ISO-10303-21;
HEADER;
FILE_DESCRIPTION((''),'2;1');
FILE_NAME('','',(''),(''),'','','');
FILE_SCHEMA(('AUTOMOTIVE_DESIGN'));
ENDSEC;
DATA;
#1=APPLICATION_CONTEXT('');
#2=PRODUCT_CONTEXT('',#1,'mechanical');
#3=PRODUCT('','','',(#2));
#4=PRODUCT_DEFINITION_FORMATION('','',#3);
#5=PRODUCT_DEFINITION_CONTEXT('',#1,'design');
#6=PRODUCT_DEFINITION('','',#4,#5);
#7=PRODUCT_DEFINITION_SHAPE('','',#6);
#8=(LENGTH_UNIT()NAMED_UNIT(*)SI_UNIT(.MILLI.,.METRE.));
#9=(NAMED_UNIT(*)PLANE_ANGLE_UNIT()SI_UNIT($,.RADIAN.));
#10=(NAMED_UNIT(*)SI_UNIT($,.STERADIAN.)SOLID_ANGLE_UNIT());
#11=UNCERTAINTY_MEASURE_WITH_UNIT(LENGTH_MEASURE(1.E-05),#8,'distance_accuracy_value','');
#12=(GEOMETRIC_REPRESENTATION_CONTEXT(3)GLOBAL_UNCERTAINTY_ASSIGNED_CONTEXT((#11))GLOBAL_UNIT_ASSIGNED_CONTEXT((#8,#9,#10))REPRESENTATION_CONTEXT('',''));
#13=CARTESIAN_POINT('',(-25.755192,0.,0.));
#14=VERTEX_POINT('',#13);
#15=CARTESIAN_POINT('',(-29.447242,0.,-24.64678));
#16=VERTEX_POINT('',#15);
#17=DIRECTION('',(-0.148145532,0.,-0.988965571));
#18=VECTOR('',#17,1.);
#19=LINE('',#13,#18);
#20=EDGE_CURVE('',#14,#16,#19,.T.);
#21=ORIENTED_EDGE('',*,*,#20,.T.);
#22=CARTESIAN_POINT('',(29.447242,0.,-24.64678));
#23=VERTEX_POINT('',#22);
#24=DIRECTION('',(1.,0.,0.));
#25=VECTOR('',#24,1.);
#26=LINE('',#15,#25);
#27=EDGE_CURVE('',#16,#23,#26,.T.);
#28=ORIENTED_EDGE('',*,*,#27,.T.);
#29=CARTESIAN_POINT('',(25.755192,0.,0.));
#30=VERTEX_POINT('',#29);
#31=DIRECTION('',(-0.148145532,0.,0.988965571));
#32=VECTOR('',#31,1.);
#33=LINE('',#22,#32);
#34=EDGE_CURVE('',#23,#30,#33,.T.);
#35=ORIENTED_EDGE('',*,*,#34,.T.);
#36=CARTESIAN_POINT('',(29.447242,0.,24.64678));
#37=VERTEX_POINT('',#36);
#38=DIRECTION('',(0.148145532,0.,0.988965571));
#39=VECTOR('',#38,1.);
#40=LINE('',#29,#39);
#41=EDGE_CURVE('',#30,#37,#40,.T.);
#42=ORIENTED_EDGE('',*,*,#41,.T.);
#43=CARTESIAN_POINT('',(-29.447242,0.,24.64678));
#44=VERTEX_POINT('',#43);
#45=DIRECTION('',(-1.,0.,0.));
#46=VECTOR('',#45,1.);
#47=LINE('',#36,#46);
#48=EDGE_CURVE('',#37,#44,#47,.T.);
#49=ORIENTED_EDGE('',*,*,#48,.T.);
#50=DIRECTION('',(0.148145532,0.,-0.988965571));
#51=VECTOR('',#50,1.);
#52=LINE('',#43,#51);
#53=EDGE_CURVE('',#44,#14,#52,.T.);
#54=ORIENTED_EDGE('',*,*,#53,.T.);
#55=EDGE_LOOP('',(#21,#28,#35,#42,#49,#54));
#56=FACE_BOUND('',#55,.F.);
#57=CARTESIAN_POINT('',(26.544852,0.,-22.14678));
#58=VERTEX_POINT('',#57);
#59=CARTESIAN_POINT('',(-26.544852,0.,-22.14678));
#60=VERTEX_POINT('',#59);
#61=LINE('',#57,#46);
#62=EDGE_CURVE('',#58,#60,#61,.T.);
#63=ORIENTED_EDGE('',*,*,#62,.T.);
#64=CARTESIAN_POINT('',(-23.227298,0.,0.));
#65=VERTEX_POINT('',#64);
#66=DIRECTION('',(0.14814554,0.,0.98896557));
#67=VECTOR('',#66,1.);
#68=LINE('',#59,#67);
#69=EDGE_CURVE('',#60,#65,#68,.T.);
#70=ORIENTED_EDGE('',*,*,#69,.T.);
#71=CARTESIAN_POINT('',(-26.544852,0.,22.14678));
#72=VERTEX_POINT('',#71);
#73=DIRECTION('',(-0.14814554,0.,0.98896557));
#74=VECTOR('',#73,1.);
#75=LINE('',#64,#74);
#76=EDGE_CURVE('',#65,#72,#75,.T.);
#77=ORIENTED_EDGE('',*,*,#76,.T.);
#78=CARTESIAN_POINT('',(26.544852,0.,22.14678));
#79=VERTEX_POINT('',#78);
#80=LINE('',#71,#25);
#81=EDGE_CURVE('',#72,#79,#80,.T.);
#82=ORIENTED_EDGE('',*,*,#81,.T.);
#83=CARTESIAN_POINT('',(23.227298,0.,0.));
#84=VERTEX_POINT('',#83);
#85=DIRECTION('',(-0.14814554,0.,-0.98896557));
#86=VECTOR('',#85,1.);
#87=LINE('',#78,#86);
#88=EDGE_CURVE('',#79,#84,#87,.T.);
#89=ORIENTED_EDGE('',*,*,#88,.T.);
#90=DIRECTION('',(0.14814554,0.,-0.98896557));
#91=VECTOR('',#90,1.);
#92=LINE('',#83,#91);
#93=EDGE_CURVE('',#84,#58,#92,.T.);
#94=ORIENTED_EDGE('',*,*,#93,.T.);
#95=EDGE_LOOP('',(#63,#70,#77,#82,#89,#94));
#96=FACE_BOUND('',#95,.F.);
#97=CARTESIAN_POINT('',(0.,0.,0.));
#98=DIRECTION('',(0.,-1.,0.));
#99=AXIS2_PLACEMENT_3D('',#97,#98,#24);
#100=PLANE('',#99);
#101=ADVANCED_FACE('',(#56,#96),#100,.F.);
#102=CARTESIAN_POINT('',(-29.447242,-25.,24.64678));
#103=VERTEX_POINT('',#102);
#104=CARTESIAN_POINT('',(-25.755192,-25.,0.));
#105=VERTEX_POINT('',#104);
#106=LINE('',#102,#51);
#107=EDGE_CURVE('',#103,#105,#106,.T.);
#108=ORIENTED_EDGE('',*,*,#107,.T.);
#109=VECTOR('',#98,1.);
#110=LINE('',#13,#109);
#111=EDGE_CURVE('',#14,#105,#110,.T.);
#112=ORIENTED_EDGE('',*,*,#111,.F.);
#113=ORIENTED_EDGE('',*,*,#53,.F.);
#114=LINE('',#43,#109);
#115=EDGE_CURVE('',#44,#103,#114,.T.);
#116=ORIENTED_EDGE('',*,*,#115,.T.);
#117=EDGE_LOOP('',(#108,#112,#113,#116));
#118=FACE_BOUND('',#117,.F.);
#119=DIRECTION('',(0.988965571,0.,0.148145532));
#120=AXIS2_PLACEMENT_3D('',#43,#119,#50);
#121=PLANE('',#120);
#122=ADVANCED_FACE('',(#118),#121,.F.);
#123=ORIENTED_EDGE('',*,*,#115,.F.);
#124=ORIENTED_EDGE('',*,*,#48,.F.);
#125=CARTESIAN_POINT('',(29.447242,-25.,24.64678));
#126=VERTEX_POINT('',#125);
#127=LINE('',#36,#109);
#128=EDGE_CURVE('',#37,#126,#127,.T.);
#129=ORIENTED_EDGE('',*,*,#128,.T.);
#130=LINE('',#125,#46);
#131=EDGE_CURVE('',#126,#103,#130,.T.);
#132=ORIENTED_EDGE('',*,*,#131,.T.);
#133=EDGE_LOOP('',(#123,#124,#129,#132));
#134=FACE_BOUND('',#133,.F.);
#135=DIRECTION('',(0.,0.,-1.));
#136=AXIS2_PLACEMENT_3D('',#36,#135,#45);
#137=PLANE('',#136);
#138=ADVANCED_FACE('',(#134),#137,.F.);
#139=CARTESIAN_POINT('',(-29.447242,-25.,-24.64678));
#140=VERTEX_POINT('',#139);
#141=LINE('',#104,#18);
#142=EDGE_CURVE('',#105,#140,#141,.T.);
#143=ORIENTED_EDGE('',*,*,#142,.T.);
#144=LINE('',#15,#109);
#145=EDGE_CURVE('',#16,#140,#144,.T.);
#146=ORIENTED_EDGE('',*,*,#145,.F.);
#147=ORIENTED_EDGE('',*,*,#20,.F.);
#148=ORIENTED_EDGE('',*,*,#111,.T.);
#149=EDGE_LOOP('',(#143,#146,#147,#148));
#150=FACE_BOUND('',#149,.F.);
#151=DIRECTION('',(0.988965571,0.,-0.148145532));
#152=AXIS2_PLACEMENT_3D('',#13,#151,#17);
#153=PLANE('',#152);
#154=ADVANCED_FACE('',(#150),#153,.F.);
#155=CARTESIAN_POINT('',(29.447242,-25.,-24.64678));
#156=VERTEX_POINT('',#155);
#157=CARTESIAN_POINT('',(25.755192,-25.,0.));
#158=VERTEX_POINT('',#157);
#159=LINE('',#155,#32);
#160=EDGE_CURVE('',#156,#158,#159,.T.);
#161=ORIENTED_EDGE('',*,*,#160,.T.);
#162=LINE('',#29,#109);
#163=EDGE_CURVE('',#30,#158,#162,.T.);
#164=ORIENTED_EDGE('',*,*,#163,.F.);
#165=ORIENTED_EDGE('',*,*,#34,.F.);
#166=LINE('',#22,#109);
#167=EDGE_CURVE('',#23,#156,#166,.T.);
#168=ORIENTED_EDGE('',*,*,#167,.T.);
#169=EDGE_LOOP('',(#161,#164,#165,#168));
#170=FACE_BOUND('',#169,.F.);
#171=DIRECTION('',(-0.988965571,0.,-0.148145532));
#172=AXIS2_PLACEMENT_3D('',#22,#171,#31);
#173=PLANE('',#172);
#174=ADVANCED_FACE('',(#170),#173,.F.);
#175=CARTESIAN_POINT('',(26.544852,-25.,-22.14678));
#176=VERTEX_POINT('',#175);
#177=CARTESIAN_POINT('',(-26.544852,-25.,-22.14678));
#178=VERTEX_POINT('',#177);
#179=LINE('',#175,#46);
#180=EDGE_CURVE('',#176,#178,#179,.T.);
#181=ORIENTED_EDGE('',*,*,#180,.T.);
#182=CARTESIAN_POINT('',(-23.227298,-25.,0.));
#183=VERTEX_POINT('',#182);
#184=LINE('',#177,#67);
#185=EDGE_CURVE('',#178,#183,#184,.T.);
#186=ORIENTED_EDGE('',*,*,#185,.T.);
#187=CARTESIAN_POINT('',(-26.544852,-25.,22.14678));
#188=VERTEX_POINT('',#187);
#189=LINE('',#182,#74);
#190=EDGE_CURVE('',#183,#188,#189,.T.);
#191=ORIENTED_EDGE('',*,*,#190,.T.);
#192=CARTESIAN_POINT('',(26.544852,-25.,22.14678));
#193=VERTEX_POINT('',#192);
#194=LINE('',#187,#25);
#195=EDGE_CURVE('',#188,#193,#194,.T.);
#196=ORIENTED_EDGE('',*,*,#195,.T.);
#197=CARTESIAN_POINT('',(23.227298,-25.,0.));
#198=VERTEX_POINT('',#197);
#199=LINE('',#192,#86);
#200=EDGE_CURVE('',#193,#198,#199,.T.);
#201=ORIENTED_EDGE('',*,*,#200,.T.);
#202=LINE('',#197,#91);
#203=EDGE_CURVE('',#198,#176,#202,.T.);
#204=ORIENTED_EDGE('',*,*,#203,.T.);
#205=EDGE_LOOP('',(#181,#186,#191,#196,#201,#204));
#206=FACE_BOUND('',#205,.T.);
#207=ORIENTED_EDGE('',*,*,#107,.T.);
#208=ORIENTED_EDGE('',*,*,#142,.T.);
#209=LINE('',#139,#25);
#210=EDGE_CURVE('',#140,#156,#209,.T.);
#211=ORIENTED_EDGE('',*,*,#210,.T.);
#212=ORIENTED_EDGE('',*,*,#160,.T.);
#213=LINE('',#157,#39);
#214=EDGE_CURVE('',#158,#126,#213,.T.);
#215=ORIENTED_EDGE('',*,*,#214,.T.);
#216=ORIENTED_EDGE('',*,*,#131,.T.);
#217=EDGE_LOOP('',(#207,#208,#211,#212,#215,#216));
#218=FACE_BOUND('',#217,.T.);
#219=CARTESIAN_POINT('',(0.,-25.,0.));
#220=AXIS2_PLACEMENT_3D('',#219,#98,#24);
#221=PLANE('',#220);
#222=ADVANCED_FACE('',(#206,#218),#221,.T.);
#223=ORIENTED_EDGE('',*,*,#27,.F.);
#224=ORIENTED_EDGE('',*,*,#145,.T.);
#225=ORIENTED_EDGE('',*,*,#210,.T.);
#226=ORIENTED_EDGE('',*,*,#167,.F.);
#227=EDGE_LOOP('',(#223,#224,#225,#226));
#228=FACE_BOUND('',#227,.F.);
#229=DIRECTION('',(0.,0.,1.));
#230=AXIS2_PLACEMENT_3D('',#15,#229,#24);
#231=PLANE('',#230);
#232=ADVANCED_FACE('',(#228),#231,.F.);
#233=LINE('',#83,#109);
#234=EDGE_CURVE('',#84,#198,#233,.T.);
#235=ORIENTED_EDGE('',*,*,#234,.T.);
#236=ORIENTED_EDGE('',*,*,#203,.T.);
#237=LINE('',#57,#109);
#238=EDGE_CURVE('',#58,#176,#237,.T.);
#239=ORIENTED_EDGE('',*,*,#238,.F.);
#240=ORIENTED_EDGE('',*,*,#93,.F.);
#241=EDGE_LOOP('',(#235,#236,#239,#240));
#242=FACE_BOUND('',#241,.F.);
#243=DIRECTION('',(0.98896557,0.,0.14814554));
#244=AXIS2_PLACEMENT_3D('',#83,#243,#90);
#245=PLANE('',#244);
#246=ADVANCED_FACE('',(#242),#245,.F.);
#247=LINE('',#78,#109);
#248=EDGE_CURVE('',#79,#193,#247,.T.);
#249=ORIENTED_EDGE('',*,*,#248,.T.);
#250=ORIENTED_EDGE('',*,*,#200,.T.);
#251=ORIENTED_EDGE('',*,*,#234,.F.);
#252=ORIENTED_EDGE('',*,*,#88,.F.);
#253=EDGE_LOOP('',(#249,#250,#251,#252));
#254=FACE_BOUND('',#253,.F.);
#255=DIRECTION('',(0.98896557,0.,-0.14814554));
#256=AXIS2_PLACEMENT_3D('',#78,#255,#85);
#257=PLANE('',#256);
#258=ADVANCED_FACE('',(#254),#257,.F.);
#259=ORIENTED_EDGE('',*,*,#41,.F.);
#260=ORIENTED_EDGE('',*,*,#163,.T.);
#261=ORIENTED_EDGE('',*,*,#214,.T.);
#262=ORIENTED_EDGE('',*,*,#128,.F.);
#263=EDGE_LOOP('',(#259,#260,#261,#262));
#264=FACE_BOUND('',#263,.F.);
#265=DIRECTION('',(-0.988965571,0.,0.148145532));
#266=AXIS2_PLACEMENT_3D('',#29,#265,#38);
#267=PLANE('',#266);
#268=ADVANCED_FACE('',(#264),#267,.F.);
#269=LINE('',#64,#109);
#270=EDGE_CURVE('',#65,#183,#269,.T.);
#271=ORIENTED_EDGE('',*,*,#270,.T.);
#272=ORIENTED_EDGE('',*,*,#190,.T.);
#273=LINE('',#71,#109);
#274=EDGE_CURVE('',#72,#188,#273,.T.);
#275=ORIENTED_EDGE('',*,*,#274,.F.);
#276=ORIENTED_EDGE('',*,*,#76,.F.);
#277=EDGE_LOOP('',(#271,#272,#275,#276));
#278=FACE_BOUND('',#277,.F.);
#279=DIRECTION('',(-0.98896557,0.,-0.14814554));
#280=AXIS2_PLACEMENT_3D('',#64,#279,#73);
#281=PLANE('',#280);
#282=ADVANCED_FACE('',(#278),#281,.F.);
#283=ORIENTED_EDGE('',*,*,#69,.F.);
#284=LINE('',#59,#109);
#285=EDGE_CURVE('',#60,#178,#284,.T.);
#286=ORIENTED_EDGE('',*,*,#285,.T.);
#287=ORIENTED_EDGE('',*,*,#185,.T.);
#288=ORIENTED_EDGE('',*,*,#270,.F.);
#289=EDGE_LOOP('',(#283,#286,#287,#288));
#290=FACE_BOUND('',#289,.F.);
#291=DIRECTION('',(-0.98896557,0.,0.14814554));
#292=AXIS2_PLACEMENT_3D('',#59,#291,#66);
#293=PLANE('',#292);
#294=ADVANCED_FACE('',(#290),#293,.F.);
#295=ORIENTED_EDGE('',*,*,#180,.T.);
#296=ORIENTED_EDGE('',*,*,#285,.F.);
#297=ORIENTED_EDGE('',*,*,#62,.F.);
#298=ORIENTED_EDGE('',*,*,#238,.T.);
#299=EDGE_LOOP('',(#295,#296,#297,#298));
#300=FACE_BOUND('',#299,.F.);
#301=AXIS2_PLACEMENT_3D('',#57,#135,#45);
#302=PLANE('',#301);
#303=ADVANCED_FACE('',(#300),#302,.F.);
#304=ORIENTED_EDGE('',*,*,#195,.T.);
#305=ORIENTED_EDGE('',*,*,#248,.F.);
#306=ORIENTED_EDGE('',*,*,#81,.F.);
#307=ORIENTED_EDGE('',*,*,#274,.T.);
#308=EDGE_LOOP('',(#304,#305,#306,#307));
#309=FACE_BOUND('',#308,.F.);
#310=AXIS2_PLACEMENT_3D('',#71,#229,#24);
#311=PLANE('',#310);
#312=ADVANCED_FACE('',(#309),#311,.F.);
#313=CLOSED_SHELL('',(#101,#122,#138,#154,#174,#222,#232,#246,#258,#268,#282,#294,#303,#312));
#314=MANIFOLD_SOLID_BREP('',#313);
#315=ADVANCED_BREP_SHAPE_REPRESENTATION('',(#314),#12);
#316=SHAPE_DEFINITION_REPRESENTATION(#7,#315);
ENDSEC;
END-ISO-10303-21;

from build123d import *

# Parameters (mm, degrees)
F1_DEPTH = 25


with BuildPart() as f1:
    # F0 (on Front) → F1 (new body)
    with BuildSketch(Plane.XZ):
        Polygon((-29.447242, -24.64678), (0, -24.64678), (29.447242, -24.64678), (25.755192, 0), (29.447242, 24.64678), (0, 24.64678), (-29.447242, 24.64678), (-25.755192, 0), align=None)
        Polygon((26.544852, -22.14678), (0, -22.14678), (-26.544852, -22.14678), (-23.227298, 0), (-26.544852, 22.14678), (0, 22.14678), (26.544852, 22.14678), (23.227298, 0), align=None, mode=Mode.SUBTRACT)
    extrude(amount=F1_DEPTH)


solid = f1.part
